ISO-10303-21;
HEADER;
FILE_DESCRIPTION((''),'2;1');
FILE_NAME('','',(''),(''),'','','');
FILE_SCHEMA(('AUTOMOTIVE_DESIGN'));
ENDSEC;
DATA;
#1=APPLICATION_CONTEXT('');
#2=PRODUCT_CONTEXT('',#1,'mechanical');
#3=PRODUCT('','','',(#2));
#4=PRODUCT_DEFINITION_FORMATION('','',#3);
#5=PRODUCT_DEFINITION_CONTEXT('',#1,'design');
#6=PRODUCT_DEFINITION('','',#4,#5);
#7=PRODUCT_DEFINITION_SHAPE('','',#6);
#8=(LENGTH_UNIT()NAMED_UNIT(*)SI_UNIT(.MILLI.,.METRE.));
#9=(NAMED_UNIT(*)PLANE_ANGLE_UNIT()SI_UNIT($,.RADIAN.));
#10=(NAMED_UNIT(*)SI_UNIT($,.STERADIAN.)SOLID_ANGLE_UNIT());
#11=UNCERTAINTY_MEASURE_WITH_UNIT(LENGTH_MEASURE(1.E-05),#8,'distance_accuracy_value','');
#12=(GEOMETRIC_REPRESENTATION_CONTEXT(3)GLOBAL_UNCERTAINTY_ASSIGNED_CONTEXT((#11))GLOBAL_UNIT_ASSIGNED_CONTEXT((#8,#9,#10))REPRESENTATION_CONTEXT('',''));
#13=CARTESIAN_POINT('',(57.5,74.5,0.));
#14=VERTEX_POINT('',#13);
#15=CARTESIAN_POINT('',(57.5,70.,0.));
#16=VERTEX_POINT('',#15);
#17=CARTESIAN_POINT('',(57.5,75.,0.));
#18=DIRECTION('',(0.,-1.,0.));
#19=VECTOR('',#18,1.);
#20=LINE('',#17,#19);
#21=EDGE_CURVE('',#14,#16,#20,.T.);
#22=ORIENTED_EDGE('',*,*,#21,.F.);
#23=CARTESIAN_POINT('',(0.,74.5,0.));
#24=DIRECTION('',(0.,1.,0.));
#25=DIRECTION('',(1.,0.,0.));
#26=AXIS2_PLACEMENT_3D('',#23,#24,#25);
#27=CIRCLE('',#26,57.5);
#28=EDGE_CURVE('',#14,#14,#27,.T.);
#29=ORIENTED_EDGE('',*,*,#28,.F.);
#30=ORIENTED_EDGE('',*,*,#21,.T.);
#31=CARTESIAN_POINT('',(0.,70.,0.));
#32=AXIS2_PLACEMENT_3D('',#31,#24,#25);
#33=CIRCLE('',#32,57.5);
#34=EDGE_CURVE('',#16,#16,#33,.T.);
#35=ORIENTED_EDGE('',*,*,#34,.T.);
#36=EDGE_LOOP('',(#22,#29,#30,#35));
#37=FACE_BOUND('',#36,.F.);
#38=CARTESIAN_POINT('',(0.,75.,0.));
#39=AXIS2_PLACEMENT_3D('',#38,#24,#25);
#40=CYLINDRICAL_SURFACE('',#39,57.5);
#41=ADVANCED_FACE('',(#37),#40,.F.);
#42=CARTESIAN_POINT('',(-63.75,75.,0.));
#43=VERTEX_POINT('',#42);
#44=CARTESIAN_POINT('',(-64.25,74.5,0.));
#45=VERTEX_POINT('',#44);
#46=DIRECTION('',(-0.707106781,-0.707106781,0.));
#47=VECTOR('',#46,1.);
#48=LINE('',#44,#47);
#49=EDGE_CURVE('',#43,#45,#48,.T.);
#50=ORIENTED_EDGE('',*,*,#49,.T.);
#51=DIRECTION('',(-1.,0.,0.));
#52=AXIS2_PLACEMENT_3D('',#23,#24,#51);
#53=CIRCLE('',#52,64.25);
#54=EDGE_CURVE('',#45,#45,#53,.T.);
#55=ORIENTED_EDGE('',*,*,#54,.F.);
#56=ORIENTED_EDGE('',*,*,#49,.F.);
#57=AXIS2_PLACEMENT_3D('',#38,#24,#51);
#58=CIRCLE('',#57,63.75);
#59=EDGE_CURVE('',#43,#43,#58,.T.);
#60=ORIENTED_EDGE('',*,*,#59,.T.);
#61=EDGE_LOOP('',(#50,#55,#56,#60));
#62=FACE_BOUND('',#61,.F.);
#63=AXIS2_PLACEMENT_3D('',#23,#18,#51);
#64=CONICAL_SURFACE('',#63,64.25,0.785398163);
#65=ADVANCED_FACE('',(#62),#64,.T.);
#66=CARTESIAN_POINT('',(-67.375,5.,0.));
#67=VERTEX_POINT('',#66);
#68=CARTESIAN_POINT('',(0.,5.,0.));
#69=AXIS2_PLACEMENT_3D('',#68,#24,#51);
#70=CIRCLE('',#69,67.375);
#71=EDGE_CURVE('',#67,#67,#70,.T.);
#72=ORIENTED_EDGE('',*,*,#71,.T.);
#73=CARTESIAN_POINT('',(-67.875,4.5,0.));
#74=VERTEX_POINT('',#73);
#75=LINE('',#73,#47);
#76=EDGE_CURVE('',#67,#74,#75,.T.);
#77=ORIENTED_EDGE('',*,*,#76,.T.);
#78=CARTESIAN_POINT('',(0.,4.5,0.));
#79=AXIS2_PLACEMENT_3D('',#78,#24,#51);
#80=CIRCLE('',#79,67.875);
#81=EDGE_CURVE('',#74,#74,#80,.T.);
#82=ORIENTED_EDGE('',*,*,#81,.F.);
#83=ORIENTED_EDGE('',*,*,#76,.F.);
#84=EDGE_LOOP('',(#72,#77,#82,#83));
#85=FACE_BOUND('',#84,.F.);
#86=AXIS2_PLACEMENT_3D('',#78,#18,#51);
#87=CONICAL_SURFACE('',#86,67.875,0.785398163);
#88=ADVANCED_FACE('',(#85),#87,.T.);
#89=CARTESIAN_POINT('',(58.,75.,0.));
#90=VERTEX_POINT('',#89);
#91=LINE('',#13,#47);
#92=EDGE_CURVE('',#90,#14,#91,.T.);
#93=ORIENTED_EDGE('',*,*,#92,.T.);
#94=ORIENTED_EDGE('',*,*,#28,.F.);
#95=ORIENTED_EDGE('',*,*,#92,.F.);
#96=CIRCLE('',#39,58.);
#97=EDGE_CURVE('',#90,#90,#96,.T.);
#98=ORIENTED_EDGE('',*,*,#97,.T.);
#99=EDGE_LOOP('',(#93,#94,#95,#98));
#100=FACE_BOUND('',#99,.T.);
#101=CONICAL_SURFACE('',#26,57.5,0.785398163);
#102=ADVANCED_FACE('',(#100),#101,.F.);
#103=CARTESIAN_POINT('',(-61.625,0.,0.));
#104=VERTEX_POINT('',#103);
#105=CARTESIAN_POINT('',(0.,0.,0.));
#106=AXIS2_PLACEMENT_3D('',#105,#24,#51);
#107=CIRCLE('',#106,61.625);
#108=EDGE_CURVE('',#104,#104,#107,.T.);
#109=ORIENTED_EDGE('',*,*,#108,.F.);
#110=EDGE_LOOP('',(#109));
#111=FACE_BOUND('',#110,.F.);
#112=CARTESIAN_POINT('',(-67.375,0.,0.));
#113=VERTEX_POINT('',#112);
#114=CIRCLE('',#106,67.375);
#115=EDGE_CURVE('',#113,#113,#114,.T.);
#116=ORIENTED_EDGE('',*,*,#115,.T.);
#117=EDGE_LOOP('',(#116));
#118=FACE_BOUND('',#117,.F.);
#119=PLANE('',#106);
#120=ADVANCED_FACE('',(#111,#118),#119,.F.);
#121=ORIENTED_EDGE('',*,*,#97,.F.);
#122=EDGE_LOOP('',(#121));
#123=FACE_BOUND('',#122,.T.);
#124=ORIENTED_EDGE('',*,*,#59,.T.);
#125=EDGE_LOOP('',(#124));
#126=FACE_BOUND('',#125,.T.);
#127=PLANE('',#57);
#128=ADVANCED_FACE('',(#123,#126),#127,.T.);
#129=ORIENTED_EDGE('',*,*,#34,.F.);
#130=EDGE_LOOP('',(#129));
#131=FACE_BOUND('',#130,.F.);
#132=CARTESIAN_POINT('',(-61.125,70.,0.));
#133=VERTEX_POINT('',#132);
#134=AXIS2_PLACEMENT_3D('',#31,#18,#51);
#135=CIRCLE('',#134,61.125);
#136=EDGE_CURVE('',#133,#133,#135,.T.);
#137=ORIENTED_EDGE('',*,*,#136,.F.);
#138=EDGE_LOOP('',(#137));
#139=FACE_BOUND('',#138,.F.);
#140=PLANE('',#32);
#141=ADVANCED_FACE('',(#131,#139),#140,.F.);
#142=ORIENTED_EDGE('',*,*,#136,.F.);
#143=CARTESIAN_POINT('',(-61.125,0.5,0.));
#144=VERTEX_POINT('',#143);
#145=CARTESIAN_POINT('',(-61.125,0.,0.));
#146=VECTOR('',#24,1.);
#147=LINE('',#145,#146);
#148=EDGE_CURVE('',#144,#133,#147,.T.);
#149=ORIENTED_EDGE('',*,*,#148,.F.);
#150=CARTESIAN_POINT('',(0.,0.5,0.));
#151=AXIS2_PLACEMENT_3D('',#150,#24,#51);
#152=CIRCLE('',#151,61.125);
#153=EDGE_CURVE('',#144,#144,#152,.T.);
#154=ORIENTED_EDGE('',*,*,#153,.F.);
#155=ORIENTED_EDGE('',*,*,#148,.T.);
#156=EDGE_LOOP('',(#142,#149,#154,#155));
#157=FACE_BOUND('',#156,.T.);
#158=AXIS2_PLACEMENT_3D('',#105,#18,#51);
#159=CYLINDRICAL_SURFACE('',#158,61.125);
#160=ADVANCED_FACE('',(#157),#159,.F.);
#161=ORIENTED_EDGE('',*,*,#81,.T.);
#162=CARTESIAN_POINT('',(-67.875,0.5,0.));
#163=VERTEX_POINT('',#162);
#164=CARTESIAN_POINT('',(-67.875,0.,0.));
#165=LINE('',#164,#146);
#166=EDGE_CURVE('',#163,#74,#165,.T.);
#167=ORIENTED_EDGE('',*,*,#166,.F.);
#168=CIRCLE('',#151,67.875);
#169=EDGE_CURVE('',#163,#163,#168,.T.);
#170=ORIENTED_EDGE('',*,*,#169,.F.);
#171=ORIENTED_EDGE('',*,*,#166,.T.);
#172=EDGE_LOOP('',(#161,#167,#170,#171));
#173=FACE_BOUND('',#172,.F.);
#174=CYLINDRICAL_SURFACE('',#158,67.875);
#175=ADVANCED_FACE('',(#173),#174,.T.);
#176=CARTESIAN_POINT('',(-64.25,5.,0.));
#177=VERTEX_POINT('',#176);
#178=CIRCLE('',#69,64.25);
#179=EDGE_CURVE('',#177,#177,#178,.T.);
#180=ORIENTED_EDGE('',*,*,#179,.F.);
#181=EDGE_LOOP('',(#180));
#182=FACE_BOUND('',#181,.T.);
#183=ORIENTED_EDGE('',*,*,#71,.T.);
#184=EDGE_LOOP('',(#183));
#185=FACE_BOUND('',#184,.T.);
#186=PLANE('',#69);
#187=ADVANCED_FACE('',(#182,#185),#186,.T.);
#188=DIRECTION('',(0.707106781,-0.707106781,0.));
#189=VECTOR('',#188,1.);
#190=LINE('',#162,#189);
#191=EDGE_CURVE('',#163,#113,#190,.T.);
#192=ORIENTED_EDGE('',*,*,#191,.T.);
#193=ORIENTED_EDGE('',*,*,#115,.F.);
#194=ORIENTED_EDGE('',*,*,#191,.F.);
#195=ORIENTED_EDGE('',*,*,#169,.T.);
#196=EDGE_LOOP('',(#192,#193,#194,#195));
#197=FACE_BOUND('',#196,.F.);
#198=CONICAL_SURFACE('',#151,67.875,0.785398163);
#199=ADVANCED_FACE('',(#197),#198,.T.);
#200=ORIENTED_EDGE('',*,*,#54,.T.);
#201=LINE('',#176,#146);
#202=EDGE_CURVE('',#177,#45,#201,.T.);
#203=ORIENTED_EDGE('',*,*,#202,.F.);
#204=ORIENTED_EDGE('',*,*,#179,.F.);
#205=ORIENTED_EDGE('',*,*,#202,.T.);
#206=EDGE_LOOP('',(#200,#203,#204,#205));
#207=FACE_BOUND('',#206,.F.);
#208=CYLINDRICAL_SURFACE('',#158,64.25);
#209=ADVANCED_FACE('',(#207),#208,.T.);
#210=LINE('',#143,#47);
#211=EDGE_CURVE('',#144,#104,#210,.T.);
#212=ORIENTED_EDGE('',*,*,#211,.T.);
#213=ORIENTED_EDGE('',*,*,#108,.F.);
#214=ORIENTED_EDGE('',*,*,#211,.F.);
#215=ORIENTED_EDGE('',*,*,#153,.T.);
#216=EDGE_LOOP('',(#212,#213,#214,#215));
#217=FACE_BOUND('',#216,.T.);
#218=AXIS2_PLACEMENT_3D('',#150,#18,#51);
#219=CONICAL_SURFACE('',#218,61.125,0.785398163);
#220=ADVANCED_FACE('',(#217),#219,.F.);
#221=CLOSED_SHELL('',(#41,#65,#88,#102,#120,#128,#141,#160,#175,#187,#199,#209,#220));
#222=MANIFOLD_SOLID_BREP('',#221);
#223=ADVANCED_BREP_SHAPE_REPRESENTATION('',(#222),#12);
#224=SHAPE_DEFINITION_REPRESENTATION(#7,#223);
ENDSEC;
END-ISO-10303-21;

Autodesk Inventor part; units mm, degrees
ref_plane "YZ Plane" through (0, 0, 0) normal (1, 0, 0) x (0, 1, 0)
ref_plane "XZ Plane" through (0, 0, 0) normal (0, 1, 0) x (-1, 0, 0)
ref_plane "XY Plane" through (0, 0, 0) normal (0, 0, 1) x (1, 0, 0)
sketch "Sketch1" plane through (0, 0, 0) normal (0, 1, 0) x (-1, 0, 0)
  circle A0 centre (0, 0) radius 67.875
  circle A1 centre (0, 0) radius 64.25
  circle A2 centre (0, 0) radius 61.125
  circle A3 centre (0, 0) radius 9.5
  dimension "Absolute_Diameter" = 135.75
  dimension "Diameter_No_Outer_Lip" = 128.5
  dimension "Inner_Cylinder_Diameter" = 122.25
  dimension "Lip_Diameter" = 19
extrude "Extrusion1" add sketch "Sketch1" along normal blind 5 contours A0
extrude "Extrusion2" add sketch "Sketch1" along normal blind 75 contours A1
sketch "Sketch2" plane through (0, 75, 0) normal (0, 1, 0) x (1, 0, 0)
  circle A0 centre (0, 0) radius 64.25
  circle A1 centre (0, 0) radius 57.5
  dimension "Lip_Diameter_Out" = 128.5
  dimension "Inner_Lip_Diameter" = 115
extrude "Extrusion7" add sketch "Sketch2" against normal blind 5
chamfer "Chamfer1" distance 0.5 angle 45 2 edges at (64.25, 75, 0) (-57.5, 75, 0)
chamfer "Chamfer2" distance 0.5 angle 45 3 edges at (67.875, 5, 0) (67.875, 0, 0) (61.125, 0, 0)
sketch "Sketch3" plane through (0, 5, 0) normal (0, 1, 0) x (1, 0, 0)
  circle A0 centre (0, 0) radius 127.5
  circle A1 centre (-127.5, 0) radius 2
  circle A2 centre (-103.1497, -74.9426) radius 2
  circle A3 centre (-39.3997, -121.2597) radius 2
  circle A4 centre (39.3997, -121.2597) radius 2
  circle A5 centre (103.1497, -74.9426) radius 2
  circle A6 centre (127.5, 0) radius 2
  circle A7 centre (103.1497, 74.9426) radius 2
  circle A8 centre (39.3997, 121.2597) radius 2
  circle A9 centre (-39.3997, 121.2597) radius 2
  circle A10 centre (-103.1497, 74.9426) radius 2
  dimension "d27" = 255
  dimension "d28" = 4
  dimension "d31" = 360
extrude "Extrusion8" [suppressed]
sketch "Sketch4" plane through (0, 75, 0) normal (0, 1, 0) x (1, 0, 0)
  circle A0 centre (0, 0) radius 42.5
  circle A1 centre (0, 0) radius 37.5
  circle A2 centre (0, 0) radius 40
  circle A3 centre (-40, 0) radius 1
  circle A4 centre (-24.9396, -31.2733) radius 1
  circle A5 centre (8.9008, -38.9971) radius 1
  circle A6 centre (36.0388, -17.3553) radius 1
  circle A7 centre (36.0388, 17.3553) radius 1
  circle A8 centre (8.9008, 38.9971) radius 1
  circle A9 centre (-24.9396, 31.2733) radius 1
  dimension "d35" = 80
  dimension "d36" = 2
  dimension "d39" = 360
hole "Hole1" [suppressed]
properties part number "Cylinder  Segment - 08"
